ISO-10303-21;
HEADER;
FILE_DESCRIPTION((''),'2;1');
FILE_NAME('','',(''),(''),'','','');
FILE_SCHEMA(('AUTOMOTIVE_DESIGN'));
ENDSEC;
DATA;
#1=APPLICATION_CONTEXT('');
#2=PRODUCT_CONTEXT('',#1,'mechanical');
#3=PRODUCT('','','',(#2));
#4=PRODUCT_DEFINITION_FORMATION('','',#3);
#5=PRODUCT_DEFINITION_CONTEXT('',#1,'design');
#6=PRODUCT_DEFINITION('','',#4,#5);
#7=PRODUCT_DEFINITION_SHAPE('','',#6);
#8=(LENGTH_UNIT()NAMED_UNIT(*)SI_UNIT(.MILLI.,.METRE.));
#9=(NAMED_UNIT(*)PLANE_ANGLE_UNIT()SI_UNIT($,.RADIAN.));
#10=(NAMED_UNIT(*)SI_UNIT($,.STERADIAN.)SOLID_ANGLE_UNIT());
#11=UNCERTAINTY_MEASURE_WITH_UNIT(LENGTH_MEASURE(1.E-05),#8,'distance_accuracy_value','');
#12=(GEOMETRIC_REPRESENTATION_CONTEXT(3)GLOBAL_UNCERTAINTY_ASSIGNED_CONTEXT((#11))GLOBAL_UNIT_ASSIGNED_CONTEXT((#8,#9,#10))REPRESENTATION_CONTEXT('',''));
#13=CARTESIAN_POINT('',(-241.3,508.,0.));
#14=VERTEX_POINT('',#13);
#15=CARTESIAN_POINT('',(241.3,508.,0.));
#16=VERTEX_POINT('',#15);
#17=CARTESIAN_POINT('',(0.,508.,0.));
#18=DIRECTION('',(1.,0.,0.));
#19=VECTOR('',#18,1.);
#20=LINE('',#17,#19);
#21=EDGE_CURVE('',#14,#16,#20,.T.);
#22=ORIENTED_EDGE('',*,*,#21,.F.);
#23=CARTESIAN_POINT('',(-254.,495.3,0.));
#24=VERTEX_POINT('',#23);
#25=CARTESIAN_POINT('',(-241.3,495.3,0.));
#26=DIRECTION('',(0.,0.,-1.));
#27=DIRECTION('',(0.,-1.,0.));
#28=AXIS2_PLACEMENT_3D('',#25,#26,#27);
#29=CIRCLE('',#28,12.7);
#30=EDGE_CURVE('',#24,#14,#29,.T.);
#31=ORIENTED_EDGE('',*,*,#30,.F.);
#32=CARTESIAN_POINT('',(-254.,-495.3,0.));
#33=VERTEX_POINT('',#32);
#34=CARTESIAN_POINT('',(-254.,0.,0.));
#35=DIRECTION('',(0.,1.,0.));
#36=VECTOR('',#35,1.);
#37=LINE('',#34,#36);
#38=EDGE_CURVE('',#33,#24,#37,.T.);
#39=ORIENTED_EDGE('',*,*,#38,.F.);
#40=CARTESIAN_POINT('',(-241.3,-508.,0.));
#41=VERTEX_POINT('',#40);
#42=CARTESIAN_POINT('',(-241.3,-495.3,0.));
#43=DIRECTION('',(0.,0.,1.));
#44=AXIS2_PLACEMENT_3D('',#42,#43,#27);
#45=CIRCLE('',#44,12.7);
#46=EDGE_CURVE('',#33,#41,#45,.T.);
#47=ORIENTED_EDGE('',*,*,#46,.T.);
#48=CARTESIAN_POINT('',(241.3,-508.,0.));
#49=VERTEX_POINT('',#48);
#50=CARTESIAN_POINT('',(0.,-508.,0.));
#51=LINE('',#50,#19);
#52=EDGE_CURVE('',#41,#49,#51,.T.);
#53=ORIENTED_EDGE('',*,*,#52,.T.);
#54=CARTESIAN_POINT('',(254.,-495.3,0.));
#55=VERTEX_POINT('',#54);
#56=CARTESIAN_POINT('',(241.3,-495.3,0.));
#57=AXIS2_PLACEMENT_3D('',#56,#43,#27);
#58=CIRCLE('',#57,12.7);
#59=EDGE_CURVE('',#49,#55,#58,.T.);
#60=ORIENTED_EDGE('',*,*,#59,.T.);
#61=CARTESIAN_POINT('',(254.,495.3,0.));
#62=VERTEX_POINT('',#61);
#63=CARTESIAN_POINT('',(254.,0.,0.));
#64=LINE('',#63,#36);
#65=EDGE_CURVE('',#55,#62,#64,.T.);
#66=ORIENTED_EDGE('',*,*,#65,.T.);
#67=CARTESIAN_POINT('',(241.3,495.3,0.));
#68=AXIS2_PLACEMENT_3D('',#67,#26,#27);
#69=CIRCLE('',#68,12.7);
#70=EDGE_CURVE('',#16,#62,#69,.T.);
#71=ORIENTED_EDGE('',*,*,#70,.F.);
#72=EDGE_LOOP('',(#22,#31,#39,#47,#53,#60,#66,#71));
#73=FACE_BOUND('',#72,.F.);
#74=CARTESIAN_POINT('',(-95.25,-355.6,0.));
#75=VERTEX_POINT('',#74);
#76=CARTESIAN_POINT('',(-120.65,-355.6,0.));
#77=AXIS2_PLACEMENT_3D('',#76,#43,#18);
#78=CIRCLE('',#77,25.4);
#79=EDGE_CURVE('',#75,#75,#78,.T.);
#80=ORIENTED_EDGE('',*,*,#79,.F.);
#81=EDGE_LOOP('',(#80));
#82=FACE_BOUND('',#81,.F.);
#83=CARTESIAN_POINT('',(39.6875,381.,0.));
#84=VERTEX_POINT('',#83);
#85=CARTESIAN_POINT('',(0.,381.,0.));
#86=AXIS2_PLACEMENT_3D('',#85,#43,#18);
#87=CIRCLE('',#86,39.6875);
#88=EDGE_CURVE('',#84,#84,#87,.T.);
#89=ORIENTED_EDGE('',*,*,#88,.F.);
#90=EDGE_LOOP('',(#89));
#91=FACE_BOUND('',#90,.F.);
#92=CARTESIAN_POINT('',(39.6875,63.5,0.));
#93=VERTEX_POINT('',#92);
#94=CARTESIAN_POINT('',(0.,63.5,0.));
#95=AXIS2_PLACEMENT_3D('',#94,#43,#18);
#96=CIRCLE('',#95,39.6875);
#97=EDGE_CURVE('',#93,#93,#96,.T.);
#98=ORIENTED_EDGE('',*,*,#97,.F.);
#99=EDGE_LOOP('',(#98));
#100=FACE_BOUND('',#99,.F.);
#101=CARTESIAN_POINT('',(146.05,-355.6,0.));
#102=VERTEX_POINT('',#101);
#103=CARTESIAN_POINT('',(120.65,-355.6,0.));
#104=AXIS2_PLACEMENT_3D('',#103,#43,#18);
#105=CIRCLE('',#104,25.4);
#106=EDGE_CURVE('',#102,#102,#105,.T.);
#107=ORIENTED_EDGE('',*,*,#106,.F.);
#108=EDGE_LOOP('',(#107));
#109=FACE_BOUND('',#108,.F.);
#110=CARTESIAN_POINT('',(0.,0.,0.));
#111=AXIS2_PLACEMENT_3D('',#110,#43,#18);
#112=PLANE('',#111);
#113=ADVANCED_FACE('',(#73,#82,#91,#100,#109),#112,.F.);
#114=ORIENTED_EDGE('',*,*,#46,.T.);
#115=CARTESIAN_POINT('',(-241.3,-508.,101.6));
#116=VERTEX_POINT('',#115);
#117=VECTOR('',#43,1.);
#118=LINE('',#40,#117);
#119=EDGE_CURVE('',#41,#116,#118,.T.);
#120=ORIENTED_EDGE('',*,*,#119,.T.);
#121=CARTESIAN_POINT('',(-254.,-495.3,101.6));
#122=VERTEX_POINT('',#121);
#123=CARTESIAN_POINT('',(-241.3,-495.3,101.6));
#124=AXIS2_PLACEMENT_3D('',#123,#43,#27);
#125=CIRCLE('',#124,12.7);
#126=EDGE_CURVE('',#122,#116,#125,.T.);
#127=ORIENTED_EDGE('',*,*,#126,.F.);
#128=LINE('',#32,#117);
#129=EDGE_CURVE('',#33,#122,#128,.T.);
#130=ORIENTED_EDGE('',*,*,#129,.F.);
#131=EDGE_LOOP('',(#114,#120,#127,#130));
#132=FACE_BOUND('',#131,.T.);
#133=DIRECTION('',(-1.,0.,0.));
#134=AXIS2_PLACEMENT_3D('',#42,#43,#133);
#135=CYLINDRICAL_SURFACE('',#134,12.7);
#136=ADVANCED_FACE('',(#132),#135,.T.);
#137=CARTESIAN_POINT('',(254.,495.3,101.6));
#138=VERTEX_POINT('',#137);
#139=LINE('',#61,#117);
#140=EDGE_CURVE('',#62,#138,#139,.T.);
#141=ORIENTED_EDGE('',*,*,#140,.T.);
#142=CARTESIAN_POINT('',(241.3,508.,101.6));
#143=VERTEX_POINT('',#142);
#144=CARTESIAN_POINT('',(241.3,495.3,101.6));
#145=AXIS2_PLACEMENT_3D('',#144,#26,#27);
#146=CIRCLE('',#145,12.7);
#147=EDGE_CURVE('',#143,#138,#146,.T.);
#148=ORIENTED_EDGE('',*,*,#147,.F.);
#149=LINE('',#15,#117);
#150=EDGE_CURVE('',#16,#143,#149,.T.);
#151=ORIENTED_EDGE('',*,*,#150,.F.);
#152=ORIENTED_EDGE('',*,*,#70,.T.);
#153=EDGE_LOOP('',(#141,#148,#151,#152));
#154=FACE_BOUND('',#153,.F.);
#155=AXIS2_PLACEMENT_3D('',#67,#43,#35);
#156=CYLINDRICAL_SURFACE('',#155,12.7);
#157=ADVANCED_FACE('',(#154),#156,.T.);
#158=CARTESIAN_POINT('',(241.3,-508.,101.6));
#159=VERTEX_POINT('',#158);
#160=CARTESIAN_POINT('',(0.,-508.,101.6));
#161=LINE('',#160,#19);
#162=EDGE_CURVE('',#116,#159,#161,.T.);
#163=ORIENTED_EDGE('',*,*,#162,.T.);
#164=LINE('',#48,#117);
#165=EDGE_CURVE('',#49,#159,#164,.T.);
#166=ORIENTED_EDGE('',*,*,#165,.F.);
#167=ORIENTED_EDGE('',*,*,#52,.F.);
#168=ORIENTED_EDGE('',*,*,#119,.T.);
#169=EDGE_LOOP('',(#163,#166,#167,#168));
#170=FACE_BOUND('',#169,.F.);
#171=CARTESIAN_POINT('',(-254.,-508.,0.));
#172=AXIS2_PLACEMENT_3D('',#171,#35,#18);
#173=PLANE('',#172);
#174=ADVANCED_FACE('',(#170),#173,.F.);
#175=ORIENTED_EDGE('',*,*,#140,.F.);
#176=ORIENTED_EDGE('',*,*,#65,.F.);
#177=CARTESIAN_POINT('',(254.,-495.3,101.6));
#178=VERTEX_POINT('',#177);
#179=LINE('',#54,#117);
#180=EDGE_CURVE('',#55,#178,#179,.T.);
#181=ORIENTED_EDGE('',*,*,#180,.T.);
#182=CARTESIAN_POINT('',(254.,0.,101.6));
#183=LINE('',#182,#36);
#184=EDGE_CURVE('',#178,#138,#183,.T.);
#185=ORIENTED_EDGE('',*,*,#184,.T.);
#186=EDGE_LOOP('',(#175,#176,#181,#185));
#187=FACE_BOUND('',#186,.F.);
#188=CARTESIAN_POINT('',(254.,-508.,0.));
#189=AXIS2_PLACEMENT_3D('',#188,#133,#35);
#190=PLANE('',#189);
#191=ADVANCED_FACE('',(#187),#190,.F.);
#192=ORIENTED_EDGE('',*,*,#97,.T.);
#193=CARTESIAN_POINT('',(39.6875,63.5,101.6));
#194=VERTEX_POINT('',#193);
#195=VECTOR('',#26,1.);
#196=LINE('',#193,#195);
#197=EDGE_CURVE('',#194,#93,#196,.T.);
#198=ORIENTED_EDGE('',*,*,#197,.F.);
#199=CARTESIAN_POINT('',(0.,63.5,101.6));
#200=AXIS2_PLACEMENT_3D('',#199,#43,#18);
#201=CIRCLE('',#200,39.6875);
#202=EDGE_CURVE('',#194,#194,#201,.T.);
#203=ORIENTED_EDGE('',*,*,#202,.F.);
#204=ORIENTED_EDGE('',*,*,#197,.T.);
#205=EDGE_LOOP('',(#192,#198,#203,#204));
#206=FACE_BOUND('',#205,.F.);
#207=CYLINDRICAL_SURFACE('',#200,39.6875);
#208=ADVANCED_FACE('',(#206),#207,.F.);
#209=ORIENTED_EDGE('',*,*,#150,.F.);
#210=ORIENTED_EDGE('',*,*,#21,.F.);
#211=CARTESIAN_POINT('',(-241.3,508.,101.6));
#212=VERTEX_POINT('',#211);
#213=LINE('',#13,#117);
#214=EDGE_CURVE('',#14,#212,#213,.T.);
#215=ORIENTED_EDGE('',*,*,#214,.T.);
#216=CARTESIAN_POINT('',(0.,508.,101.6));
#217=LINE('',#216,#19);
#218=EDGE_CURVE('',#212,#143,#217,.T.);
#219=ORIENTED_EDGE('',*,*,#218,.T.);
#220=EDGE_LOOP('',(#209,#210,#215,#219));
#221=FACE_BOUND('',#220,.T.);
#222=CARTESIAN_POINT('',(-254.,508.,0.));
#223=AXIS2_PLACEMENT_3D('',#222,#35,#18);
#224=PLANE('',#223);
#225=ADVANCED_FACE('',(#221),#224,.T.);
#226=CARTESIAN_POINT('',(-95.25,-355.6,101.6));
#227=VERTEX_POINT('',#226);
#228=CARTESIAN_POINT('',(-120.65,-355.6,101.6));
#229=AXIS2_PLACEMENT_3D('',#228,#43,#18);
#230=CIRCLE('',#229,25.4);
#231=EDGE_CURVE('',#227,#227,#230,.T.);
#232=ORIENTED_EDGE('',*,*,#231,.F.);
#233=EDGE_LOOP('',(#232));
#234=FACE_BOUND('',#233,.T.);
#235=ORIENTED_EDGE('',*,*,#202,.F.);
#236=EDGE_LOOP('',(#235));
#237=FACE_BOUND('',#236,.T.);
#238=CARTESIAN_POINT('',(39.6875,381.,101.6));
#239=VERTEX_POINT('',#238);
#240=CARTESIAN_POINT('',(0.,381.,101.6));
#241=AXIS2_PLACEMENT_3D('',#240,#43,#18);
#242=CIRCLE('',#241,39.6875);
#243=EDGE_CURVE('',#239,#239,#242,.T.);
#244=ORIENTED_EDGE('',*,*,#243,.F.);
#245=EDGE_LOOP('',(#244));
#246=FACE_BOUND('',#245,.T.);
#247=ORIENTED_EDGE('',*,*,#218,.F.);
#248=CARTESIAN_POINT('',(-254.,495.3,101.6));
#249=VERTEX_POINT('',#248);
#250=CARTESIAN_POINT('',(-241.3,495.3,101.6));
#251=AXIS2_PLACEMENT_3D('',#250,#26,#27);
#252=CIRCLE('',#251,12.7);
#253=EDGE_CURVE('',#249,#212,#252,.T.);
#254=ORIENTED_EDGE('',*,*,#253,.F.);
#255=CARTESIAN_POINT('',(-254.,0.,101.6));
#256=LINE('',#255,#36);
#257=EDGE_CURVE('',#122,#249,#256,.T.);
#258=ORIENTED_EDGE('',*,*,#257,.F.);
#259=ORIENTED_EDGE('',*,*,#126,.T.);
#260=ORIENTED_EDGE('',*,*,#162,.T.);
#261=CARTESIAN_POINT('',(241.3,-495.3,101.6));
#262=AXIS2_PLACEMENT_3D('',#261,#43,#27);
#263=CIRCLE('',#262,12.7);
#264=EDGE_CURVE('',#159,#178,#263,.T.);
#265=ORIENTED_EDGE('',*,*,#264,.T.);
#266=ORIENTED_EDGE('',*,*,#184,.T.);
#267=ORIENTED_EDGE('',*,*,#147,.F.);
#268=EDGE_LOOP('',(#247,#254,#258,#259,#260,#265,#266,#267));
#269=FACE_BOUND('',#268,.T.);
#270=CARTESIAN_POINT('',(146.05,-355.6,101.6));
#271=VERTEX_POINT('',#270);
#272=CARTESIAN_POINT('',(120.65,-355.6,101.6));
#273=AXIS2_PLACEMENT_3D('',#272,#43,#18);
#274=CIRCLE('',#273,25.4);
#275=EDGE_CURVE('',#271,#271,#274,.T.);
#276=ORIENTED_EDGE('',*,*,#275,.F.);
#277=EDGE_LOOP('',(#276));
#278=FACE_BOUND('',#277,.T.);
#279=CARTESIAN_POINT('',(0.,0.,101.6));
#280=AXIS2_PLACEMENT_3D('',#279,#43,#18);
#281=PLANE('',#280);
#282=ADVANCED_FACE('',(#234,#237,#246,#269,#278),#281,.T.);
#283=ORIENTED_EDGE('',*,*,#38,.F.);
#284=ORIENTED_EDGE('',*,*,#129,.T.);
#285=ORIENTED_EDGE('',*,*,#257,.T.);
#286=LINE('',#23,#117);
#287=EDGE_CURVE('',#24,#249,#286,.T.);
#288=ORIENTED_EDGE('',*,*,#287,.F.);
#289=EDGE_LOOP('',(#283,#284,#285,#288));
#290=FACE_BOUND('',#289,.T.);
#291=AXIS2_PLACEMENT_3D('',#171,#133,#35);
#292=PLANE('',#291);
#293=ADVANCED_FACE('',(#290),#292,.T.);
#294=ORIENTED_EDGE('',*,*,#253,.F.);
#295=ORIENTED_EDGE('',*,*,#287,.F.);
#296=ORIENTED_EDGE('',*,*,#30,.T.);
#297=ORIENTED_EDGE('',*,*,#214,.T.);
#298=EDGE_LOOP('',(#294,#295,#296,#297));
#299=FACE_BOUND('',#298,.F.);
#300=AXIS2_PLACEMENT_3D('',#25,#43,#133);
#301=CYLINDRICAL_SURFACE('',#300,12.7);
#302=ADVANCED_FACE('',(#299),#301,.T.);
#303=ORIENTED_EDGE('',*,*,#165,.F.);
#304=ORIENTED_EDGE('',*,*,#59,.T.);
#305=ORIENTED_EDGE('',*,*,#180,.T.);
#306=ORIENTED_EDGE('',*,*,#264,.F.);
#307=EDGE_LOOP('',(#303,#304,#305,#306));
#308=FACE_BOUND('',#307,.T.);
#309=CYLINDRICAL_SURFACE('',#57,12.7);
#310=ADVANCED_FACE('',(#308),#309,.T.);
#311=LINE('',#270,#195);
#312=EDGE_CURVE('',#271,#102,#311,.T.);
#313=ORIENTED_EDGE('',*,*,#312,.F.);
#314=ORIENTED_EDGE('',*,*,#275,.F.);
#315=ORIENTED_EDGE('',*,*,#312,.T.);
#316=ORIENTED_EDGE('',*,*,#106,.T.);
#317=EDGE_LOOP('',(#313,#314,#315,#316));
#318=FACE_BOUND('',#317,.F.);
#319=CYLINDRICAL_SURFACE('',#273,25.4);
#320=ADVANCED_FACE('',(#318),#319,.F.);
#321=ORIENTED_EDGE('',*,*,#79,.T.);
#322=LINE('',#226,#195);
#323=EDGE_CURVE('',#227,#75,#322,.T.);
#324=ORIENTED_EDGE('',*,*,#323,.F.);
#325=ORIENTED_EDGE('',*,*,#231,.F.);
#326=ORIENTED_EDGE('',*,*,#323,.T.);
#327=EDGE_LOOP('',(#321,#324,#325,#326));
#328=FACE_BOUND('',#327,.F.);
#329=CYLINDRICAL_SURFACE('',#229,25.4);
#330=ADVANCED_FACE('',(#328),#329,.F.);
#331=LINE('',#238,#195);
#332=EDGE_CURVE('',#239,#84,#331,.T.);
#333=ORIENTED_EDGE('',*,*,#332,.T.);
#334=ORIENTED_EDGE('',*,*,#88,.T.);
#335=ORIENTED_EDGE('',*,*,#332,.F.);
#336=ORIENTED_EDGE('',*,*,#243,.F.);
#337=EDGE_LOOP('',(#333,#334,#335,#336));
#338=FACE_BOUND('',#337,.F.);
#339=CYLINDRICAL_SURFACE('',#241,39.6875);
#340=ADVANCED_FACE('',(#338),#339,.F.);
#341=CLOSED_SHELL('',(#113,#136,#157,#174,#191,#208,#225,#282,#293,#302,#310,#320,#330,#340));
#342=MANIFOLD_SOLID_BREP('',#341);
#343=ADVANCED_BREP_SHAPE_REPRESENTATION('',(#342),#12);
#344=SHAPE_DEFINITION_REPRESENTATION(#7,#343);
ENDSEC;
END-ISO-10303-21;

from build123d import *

# Parameters (mm, degrees)
F0_W     = 508
F0_H     = 1016
F1_DEPTH = 101.6
F2_R     = 25.4
F2_R_2   = 39.6875
F3_DEPTH = 101.601
F4_R     = 12.7


with BuildPart() as f1:
    # F0 (on Top) → F1 (new body)
    with BuildSketch(Plane.XY):
        Rectangle(F0_W, F0_H)
    extrude(amount=F1_DEPTH)

    # F2 (on face) → F3 (cut, through all)
    with BuildSketch(Plane.XY.offset(101.6)):
        with Locations((-120.65, -355.6)):
            Circle(F2_R)
        with Locations((120.65, -355.6)):
            Circle(F2_R)
        with Locations((0, 63.5)):
            Circle(F2_R_2)
        with Locations((0, 381)):
            Circle(F2_R_2)
    extrude(amount=-F3_DEPTH, mode=Mode.SUBTRACT)

    # F4
    f4_edges = [f1.edges().sort_by_distance(p)[0] for p in [
        (-254, -508, 50.8),
        (254, -508, 50.8),
        (254, 508, 50.8),
        (-254, 508, 50.8),
    ]]
    fillet(f4_edges, radius=F4_R)


solid = f1.part
